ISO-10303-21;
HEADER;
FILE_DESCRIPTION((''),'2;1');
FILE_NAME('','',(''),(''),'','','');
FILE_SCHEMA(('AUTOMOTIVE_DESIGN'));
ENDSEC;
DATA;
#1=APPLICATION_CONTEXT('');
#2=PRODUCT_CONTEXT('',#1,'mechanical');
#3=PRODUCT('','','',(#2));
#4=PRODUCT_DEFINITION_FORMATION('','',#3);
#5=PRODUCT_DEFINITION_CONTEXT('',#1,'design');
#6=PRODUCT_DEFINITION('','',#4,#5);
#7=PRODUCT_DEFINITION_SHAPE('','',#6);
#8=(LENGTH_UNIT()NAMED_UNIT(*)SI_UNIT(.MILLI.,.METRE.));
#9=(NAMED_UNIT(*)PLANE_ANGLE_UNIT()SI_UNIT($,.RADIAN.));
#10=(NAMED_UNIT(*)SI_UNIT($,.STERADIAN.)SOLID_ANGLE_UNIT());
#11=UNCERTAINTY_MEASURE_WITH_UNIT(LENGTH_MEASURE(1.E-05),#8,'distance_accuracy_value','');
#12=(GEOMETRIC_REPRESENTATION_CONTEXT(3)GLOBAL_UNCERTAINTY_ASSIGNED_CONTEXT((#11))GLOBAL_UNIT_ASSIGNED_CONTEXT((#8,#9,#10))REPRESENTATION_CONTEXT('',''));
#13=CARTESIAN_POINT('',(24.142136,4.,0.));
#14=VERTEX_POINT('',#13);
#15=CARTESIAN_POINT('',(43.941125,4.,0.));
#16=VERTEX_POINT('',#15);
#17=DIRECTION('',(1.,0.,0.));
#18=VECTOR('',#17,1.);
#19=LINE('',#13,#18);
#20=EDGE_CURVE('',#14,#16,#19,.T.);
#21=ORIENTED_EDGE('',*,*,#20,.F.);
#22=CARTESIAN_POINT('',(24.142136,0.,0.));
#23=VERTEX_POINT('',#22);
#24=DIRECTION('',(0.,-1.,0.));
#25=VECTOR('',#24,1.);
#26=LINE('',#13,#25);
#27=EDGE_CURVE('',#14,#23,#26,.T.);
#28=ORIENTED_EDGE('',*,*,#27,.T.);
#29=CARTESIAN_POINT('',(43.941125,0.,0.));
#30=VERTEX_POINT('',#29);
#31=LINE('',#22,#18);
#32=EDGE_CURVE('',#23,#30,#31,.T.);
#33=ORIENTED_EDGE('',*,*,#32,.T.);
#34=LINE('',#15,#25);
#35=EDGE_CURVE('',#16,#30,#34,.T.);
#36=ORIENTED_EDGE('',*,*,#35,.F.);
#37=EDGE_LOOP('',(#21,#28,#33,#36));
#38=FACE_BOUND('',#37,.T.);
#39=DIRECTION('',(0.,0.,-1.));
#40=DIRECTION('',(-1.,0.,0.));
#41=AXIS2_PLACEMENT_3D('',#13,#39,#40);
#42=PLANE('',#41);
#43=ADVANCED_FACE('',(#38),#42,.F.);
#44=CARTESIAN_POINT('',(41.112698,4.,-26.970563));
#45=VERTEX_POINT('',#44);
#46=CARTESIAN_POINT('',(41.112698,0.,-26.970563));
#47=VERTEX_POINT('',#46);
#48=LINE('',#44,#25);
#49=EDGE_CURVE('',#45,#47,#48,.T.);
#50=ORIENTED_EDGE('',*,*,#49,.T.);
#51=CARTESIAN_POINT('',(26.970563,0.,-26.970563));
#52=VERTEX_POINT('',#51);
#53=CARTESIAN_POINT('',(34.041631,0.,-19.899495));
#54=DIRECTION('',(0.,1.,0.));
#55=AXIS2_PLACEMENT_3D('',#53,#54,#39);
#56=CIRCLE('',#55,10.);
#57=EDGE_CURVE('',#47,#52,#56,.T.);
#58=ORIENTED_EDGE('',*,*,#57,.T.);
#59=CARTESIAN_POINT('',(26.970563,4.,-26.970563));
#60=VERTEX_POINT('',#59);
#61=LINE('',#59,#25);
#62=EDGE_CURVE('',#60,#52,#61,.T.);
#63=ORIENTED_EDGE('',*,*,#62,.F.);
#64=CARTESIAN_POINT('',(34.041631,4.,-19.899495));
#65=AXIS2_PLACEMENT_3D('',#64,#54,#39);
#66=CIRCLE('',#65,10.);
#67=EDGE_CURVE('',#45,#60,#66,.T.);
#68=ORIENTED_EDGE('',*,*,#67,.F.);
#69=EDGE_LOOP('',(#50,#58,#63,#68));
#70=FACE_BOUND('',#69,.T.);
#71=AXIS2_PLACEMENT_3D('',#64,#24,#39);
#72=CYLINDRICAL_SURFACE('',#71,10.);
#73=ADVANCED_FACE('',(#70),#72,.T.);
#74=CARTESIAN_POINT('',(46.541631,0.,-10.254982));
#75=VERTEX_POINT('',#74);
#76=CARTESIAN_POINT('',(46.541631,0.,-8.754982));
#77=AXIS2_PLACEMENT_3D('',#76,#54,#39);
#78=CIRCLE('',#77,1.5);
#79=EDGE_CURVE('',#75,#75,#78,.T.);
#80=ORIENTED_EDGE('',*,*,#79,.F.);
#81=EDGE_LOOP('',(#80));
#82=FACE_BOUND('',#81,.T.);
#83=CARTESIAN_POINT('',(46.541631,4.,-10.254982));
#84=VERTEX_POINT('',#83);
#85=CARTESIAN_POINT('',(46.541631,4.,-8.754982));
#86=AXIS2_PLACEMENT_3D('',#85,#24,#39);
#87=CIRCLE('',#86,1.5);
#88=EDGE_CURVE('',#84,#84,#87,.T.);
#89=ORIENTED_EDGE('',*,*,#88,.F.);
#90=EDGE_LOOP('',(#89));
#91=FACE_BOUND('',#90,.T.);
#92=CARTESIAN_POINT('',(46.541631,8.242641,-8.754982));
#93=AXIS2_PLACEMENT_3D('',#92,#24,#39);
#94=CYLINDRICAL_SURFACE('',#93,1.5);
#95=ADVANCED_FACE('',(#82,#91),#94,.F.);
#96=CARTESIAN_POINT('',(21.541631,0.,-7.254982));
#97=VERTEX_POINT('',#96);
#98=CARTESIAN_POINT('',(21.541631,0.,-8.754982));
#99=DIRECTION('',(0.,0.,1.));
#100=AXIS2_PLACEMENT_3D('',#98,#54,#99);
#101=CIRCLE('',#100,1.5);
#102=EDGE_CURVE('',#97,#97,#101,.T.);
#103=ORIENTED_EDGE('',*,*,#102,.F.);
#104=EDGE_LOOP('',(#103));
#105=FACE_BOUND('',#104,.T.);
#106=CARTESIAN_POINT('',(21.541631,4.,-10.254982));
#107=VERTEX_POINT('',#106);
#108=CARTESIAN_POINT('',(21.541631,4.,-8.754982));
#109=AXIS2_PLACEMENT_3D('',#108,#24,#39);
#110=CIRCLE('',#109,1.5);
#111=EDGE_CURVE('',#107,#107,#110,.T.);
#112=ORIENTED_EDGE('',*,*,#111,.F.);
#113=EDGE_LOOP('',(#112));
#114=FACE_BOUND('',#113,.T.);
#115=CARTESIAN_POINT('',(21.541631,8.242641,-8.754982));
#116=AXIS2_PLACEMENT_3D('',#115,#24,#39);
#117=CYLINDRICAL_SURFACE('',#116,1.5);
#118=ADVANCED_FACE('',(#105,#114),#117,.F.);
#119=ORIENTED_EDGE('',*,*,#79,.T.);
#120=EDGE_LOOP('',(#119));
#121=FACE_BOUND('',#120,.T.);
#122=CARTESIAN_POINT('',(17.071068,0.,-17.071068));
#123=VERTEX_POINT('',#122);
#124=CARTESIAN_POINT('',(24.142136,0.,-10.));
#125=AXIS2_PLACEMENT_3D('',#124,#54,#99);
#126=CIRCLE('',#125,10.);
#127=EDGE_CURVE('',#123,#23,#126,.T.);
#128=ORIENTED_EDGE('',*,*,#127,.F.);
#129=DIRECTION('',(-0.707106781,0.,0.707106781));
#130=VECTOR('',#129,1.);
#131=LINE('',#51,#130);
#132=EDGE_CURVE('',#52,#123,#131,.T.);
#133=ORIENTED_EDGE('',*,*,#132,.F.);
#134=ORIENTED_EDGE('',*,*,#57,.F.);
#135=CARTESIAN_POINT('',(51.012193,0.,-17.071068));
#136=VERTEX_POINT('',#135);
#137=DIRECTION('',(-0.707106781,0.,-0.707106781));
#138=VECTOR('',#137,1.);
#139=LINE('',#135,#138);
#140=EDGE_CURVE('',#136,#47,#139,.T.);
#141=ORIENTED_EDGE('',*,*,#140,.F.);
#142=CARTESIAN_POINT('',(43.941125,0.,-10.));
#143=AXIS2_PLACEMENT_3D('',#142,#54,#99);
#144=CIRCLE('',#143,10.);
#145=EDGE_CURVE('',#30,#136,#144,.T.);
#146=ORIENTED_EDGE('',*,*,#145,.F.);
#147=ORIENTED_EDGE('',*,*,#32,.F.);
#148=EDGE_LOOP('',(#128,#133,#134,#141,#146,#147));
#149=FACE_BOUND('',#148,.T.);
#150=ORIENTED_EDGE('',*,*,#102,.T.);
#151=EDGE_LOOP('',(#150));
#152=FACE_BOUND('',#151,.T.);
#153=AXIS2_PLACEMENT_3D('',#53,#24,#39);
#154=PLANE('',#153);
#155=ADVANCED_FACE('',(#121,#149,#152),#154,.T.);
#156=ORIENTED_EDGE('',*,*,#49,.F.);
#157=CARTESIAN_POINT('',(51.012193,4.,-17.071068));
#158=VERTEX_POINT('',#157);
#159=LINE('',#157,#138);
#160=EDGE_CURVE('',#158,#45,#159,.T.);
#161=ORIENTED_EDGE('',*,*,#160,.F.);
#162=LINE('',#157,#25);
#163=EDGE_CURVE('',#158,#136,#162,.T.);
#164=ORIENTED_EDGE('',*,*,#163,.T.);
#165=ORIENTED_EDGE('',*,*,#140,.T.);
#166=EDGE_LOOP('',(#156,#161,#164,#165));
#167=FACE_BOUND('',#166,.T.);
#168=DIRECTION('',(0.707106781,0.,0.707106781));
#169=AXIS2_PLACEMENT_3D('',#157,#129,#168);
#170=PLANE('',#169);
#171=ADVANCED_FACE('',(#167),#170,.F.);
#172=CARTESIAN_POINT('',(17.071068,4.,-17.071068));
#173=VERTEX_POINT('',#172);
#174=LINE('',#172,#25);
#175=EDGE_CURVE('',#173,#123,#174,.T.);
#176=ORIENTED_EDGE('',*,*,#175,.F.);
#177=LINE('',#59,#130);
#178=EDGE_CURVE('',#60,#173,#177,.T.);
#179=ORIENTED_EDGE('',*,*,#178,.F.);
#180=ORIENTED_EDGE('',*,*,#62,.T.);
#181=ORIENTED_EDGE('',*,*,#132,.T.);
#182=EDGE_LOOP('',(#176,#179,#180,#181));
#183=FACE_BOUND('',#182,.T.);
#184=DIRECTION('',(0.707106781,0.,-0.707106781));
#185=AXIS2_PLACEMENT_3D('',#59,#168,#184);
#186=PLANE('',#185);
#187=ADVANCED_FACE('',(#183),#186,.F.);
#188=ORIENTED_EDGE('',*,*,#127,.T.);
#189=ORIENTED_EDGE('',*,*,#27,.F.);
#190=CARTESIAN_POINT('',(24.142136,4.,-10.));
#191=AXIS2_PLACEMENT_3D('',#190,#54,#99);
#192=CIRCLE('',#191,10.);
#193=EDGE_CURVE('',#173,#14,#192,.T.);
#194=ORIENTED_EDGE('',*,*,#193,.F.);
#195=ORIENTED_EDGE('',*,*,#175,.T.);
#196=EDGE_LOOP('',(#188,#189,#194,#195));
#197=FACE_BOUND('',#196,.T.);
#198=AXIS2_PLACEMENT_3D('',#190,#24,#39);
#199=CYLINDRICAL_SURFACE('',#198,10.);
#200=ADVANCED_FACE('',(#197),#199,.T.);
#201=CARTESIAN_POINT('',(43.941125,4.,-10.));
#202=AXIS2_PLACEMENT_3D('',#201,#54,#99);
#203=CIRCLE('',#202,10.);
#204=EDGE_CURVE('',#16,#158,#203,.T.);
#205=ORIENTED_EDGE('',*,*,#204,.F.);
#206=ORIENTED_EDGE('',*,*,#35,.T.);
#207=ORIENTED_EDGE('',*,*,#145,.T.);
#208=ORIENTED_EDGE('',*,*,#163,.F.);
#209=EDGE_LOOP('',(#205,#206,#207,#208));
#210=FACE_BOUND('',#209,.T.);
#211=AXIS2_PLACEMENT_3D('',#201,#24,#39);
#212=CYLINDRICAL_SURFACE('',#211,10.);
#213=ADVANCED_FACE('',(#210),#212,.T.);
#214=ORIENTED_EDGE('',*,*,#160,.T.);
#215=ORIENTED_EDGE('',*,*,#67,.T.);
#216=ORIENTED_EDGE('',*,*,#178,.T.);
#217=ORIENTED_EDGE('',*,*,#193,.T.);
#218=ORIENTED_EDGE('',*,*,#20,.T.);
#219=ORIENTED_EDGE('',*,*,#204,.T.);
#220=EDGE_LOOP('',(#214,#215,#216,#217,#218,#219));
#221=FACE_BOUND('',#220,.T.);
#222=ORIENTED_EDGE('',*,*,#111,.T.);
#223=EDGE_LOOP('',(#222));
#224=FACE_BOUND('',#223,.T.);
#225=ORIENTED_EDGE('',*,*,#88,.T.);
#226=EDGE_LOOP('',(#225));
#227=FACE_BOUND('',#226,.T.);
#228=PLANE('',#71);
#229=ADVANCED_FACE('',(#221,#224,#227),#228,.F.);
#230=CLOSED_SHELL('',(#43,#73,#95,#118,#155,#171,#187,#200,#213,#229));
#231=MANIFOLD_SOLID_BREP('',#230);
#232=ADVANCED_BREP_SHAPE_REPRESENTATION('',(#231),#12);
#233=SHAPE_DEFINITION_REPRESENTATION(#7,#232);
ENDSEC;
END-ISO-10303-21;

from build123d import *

# Parameters (mm, degrees)
AUFSATZ_LINEAR_AUSTRAGEN1_DEPTH = 4
SKIZZE4_R                       = 1.5
SCHNITT_LINEAR_AUSTRAGEN4_DEPTH = 4


with BuildPart() as part:
    # Skizze2 → Aufsatz-Linear austragen1 (new body)
    with BuildSketch(Plane(origin=(0, 0, 0), x_dir=(1, 0, 0), z_dir=(0, 1, 0))):
        with BuildLine():
            Line((26.970562748, 26.970562748), (17.071067812, 17.071067812))
            ThreePointArc((17.071067812, 17.071067812), (14.903340299, 6.173165676), (24.142135624, 0))
            Line((24.142135624, 0), (43.941125497, 0))
            ThreePointArc((43.941125497, 0), (53.179920822, 6.173165676), (51.012193309, 17.071067812))
            Line((51.012193309, 17.071067812), (41.112698372, 26.970562748))
            ThreePointArc((41.112698372, 26.970562748), (34.04163056, 29.899494937), (26.970562748, 26.970562748))
        make_face()
    extrude(amount=AUFSATZ_LINEAR_AUSTRAGEN1_DEPTH)

    # Skizze4 → Schnitt-Linear austragen4 (cut)
    with BuildSketch(Plane(origin=(0, 0, 0), x_dir=(1, 0, 0), z_dir=(0, 1, 0))):
        with Locations(Location((21.54163056, 8.754981608, 0), (0, 0, 90))):
            Circle(SKIZZE4_R)
        with Locations(Location((46.54163056, 8.754981608, 0), (0, 0, 90))):
            Circle(SKIZZE4_R)
    extrude(amount=SCHNITT_LINEAR_AUSTRAGEN4_DEPTH, mode=Mode.SUBTRACT)


solid = part.part
